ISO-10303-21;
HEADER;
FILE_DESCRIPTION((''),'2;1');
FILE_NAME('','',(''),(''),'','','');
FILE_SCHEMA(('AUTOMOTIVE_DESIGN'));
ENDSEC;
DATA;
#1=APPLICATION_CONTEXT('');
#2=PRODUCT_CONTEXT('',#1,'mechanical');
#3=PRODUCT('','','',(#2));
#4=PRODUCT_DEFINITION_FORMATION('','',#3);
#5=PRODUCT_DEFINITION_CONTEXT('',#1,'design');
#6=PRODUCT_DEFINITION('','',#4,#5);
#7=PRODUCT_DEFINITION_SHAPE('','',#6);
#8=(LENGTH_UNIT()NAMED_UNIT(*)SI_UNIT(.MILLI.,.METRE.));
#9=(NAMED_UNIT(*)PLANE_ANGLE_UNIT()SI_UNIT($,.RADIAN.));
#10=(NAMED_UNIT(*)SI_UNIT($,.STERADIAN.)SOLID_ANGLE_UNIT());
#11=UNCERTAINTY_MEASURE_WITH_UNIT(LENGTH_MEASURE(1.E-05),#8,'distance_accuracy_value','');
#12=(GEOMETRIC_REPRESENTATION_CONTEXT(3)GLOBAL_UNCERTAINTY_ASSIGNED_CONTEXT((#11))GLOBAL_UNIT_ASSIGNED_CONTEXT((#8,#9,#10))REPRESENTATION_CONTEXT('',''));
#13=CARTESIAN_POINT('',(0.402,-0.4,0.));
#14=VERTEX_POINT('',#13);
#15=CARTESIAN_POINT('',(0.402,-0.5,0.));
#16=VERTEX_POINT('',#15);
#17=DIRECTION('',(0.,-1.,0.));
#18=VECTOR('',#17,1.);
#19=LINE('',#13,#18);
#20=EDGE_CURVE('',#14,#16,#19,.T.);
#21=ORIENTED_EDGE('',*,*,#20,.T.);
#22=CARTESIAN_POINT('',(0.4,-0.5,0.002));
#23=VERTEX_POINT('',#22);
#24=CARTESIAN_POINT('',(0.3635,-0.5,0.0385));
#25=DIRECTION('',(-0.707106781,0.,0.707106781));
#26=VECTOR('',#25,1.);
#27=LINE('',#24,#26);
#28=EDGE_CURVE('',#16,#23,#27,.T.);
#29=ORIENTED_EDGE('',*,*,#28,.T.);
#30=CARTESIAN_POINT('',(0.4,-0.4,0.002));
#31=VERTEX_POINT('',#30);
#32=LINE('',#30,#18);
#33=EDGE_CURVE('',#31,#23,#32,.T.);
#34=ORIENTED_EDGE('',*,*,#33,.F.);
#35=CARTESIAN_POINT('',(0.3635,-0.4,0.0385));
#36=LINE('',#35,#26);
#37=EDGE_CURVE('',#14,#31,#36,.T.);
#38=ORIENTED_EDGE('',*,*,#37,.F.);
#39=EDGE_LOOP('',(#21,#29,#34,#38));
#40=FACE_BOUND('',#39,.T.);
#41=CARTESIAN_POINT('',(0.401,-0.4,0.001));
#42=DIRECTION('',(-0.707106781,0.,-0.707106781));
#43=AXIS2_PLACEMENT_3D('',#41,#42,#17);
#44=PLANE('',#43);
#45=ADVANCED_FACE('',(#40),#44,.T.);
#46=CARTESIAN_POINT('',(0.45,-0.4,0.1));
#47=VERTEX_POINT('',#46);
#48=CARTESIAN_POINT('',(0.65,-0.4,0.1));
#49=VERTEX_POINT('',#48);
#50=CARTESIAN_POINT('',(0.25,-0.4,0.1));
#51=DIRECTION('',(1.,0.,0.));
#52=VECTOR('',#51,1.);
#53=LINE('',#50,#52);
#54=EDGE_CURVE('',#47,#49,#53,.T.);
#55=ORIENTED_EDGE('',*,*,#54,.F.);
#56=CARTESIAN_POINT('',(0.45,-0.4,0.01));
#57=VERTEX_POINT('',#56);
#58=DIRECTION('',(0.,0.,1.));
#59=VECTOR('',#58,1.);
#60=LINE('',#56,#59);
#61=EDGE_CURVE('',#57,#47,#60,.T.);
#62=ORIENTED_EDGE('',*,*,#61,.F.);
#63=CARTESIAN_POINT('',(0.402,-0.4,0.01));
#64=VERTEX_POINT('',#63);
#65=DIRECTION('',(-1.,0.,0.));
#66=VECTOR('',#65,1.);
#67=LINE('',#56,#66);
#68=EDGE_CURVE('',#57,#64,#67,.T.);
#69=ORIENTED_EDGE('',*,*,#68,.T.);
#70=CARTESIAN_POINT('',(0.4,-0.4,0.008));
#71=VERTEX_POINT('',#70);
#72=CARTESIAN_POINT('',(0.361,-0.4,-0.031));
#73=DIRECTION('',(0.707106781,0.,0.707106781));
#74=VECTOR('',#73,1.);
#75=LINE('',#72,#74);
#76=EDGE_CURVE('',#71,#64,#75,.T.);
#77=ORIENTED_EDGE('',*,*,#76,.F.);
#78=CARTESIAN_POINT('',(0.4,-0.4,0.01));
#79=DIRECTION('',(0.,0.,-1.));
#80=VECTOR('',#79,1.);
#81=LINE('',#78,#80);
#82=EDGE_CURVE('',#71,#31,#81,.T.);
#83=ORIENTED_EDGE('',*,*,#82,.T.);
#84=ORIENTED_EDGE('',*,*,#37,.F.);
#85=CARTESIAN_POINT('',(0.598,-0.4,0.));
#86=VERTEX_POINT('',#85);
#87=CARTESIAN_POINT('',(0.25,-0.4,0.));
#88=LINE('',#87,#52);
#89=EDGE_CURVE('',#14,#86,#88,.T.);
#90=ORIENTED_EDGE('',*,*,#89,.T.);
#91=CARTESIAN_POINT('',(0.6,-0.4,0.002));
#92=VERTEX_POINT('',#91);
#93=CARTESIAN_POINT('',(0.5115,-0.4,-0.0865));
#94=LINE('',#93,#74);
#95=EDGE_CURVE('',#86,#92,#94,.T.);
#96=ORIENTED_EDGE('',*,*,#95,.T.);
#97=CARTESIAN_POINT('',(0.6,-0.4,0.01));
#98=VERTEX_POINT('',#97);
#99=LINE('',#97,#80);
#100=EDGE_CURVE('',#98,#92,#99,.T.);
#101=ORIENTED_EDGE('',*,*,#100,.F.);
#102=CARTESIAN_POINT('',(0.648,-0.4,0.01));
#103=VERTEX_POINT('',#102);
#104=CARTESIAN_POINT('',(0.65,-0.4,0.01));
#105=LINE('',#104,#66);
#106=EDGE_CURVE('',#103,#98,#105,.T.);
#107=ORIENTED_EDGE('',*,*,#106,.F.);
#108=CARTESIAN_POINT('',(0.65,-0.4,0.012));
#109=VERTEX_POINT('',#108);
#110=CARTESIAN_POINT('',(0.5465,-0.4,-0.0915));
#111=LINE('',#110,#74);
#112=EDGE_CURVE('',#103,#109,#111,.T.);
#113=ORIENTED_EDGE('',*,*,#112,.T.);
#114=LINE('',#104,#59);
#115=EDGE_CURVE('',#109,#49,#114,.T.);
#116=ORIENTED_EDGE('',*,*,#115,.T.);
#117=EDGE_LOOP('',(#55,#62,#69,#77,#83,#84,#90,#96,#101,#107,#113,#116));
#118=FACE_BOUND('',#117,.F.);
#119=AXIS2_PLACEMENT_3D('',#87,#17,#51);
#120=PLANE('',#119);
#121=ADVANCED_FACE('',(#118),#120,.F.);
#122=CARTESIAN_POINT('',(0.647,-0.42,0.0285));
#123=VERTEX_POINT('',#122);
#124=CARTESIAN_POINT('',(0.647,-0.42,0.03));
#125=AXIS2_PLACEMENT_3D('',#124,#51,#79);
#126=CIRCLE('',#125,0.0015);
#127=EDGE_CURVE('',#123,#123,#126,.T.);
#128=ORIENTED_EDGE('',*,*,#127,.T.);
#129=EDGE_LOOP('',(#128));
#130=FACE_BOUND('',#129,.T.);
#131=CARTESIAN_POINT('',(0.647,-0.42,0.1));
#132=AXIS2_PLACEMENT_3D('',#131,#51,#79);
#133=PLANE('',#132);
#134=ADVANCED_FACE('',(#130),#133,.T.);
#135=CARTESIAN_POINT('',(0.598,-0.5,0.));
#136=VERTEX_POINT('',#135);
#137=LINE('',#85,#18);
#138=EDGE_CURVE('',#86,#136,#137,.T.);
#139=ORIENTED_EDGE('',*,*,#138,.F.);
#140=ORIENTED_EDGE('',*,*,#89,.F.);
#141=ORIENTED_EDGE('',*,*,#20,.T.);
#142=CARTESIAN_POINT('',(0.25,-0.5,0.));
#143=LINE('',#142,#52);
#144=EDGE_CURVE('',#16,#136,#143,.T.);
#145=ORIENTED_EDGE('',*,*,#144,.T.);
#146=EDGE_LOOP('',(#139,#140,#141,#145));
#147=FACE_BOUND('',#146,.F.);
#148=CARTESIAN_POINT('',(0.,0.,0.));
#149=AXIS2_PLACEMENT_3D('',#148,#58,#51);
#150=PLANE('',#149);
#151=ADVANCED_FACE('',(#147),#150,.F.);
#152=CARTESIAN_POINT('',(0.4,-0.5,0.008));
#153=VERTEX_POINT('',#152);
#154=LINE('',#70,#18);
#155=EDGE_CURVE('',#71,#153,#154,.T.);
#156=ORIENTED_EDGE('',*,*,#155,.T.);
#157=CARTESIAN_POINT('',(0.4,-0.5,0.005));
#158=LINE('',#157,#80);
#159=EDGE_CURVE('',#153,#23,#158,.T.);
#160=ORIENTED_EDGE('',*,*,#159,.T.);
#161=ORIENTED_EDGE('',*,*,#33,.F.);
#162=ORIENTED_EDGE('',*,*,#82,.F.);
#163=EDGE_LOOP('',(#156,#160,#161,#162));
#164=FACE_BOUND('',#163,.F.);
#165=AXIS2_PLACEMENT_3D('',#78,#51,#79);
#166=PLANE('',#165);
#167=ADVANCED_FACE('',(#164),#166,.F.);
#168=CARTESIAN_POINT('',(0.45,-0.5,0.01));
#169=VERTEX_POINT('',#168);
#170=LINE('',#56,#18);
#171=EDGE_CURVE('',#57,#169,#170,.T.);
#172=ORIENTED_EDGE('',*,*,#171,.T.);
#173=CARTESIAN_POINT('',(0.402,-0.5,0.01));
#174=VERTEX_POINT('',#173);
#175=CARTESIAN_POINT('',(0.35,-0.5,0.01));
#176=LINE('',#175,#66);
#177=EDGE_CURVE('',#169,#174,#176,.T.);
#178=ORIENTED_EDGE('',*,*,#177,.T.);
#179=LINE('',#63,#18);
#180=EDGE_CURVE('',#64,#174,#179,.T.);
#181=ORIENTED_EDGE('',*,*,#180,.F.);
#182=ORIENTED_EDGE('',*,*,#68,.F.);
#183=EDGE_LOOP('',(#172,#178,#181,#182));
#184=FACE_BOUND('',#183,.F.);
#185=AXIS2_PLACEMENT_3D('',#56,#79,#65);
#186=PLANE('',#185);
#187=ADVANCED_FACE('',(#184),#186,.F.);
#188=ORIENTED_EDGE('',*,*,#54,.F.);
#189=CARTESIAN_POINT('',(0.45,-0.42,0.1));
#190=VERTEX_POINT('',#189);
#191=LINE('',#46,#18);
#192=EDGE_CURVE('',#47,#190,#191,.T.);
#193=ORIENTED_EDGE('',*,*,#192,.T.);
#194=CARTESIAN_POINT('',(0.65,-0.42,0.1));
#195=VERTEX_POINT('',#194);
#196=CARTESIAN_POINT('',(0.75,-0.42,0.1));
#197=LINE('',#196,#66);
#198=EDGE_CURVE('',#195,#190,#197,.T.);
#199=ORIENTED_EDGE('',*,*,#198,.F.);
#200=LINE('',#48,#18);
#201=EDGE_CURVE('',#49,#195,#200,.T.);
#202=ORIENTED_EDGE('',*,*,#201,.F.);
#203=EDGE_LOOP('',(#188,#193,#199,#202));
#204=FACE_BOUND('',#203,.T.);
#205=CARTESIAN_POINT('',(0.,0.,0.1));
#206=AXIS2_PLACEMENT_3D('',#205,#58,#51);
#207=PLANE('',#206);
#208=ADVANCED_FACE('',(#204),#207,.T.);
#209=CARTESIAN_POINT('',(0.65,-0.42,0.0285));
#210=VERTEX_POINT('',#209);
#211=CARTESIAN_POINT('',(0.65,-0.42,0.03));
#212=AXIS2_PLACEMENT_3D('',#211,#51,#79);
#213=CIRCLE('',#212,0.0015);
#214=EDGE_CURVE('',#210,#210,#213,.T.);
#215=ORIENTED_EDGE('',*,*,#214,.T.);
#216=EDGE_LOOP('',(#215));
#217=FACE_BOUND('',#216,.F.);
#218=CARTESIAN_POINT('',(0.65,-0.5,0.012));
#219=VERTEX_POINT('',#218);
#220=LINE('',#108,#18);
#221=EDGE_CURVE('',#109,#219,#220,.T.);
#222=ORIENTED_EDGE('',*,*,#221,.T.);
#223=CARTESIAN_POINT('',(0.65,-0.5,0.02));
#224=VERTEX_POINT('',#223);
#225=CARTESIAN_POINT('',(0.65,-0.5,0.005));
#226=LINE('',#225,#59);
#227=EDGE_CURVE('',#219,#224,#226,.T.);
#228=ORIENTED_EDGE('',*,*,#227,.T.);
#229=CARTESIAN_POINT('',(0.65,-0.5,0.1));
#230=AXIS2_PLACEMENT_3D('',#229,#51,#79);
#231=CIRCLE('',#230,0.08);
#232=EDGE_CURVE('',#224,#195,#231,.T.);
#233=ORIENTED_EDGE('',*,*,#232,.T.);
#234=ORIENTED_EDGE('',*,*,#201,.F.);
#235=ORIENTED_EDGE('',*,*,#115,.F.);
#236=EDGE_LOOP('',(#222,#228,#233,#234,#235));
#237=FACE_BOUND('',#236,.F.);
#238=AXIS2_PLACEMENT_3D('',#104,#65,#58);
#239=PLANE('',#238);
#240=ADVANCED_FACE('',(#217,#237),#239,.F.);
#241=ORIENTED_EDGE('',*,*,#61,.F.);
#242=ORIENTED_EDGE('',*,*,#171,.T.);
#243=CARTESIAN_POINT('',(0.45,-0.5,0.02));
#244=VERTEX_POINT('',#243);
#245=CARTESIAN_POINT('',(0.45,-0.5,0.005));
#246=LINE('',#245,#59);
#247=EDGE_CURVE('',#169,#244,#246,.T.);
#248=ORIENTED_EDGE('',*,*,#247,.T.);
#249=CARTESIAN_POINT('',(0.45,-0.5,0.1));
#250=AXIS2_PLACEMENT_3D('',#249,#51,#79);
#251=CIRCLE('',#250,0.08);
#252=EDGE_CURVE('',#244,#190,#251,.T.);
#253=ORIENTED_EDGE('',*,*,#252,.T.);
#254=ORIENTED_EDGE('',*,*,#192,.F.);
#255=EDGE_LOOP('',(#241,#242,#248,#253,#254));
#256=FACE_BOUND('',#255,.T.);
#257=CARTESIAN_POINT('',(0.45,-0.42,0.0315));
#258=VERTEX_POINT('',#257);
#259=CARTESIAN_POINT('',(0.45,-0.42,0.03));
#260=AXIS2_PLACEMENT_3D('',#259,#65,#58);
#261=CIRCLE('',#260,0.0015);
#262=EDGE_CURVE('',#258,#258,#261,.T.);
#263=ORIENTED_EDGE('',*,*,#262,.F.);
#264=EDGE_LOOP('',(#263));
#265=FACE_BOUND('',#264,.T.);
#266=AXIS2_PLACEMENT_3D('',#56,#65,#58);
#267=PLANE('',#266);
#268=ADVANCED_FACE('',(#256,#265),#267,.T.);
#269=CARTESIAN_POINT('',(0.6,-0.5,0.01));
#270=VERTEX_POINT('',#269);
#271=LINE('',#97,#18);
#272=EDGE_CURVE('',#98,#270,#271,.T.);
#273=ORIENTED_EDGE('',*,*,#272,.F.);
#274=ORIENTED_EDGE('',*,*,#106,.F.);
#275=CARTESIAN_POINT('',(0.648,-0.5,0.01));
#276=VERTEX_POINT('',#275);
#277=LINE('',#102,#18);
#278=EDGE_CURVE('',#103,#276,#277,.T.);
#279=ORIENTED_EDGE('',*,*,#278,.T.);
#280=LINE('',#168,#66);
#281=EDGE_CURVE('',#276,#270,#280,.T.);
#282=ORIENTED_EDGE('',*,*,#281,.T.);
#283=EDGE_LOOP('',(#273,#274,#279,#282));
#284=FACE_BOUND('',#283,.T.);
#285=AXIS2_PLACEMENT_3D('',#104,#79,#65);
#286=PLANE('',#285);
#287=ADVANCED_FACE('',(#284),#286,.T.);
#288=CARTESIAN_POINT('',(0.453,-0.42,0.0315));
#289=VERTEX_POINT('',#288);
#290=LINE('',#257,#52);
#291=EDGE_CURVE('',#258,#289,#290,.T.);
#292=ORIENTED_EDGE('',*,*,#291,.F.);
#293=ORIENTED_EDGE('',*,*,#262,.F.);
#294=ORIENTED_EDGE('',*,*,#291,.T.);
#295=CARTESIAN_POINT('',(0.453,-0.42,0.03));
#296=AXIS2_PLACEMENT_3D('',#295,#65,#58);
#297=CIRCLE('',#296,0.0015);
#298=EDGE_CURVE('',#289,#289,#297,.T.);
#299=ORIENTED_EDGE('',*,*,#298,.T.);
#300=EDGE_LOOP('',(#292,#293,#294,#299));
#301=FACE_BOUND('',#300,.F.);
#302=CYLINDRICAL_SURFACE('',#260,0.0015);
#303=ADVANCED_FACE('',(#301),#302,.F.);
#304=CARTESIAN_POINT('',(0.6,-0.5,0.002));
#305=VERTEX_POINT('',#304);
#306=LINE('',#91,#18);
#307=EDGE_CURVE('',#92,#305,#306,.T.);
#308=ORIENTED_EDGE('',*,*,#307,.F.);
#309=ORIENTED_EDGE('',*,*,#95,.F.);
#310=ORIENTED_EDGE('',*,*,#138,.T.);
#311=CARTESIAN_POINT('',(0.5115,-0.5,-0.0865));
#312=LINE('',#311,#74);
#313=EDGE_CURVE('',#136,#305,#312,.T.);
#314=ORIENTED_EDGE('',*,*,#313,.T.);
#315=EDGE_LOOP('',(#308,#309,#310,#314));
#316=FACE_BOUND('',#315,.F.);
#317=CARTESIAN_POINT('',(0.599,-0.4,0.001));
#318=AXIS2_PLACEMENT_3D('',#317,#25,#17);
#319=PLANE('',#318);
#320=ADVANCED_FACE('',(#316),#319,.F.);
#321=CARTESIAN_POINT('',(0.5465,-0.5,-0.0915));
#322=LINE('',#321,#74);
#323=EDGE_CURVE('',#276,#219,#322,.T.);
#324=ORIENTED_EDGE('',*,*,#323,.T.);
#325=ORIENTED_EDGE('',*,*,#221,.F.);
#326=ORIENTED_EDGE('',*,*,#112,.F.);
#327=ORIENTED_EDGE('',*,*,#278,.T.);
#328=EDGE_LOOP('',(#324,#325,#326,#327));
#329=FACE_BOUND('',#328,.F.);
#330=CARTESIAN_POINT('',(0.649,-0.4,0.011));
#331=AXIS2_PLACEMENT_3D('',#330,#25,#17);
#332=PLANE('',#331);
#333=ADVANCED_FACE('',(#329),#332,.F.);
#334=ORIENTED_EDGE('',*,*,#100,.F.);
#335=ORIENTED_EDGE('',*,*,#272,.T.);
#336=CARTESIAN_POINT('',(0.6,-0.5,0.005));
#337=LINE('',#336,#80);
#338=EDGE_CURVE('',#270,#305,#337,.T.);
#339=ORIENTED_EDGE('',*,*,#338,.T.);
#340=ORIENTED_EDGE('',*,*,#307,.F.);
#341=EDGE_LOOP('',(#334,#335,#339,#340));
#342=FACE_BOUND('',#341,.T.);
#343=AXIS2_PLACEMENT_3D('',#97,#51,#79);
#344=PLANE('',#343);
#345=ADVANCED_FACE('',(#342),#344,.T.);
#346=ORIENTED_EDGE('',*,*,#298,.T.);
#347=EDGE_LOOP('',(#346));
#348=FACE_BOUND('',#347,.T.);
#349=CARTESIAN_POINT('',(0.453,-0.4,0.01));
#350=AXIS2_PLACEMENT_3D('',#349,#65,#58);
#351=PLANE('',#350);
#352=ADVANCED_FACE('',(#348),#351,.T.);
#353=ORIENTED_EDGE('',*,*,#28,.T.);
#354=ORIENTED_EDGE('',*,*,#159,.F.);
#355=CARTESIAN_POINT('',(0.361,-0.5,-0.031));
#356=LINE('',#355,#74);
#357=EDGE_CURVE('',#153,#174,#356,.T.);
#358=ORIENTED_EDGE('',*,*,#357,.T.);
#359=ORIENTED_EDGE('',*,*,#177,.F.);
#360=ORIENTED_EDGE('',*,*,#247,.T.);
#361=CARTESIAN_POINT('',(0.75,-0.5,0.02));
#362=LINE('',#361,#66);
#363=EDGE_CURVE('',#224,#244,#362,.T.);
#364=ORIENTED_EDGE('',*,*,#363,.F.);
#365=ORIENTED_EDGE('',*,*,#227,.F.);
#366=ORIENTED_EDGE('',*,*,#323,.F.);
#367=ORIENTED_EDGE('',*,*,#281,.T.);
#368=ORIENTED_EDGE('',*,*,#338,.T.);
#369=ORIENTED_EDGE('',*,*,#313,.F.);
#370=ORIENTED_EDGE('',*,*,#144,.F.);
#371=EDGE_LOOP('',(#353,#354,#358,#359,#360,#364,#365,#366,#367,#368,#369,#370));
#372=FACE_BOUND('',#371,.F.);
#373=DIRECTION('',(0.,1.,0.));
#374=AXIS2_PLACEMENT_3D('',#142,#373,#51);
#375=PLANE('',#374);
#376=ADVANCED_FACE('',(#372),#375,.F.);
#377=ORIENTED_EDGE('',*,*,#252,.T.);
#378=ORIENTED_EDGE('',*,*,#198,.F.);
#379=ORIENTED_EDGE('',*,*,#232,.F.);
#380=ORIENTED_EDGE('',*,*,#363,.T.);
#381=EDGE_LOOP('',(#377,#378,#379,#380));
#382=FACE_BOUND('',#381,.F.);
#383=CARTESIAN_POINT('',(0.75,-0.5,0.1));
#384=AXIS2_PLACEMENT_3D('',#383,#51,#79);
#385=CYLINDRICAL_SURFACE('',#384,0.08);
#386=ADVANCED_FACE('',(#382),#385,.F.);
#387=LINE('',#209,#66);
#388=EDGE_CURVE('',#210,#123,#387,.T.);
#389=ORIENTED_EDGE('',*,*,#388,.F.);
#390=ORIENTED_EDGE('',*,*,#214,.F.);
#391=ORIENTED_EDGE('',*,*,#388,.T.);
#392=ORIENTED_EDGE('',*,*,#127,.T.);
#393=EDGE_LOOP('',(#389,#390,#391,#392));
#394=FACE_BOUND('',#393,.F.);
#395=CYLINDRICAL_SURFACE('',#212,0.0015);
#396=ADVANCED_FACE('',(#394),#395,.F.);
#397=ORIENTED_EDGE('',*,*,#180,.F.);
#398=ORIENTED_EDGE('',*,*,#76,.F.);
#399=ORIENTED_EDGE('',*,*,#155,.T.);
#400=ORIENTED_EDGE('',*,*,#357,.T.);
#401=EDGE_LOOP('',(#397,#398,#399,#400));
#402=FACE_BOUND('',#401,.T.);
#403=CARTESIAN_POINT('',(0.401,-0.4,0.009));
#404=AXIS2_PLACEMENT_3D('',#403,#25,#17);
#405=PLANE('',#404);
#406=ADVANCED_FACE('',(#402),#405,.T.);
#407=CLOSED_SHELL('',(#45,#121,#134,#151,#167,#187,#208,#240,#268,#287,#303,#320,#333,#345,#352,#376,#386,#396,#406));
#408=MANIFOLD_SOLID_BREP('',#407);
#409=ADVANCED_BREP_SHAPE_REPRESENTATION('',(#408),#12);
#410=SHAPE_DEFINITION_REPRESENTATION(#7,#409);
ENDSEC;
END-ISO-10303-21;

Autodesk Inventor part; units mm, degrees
ref_plane "YZ Plane" through (0, 0, 0) normal (1, 0, 0) x (0, 1, 0)
ref_plane "XZ Plane" through (0, 0, 0) normal (0, 1, 0) x (-1, 0, 0)
sketch "스케치1" plane through (0, 0, 0) normal (0, 0, 1) x (1, 0, 0)
  line L0 (-0.15, 0) -> (0.9, 0) construction
  line L1 (0, -0.7) -> (0, 0.7) construction
  line L2 (0.25, -0.5) -> (0.75, -0.5)
  line L3 (0.75, -0.5) -> (0.75, 0.5)
  line L4 (0.75, 0.5) -> (0.25, 0.5)
  line L5 (0.25, 0.5) -> (0.25, -0.5)
  point P0 (0, 0)
  point P1 (0.5, -0.5)
  dimension "d7" = 0.5
  dimension "d8" = 1
  dimension "d9" = 0.25
extrude "돌출1" add sketch "스케치1" along normal blind 0.1
sketch "스케치3" plane through (0.25, 0.5, 0) normal (0, 1, 0) x (1, 0, 0)
  line L0 (-0.25, 0.7571) -> (-0.25, -0.2929) construction
  line L1 (-0.4, 0) -> (0.65, 0) construction
  line L2 (0.5, 0) -> (0, 0) projected
  line L3 (0, 0) -> (0, -0.1) projected
  line L4 (0.5, -0.1) -> (0, -0.1) projected
  line L5 (0.5, 0) -> (0.5, -0.1) projected
  arc A0 (0, -0.1) -> (0.5, -0.1) centre (0.25, 0.6071) ccw
  line L6 (0.25, -0.1) -> (0.25, 0.4799) construction
  point P0 (-0.25, 0)
  dimension "d10" = 0.75
sketch "스케치5" plane through (0, 0, 0.1) normal (0, 0, 1) x (1, 0, 0)
  line L0 (0.75, -0.5) -> (0.75, 0.5) projected
  line L1 (0.75, 0.5) -> (0.25, 0.5) projected
  line L2 (0.25, 0.5) -> (0.25, -0.5) projected
  line L3 (0.25, -0.5) -> (0.75, -0.5) projected
  line L4 (-0.15, 0) -> (0.9, 0) construction
  line L5 (0, -0.7) -> (0, 0.7) construction
  line L6 (-0.15, 0) -> (0.9, 0) construction
  line L7 (0, 0.7) -> (0, -0.7) construction
  line L8 (0.75, 0.4) -> (0.25, 0.4)
  line L9 (0.75, -0.4) -> (0.25, -0.4)
  point P0 (0, 0)
  dimension "d18" = 1
  dimension "d19" = 0.4
sketch "스케치6" plane through (0.75, -0.5, 0) normal (1, 0, 0) x (0, 0, -1)
  line L0 (0, 0) -> (0, 1) projected
  line L1 (0, 1) -> (-0.1, 1) projected
  line L2 (-0.1, 0) -> (-0.1, 1) projected
  line L3 (0, 0) -> (-0.1, 0) projected
  line L4 (0, 0.5) -> (-0.1, 0.5) construction
  line L5 (0, 0.92) -> (-0.1, 0.92)
  arc A0 (-0.1, 0.92) -> (-0.02, 1) centre (-0.1, 1) ccw
  arc A1 (-0.02, 0) -> (-0.1, 0.08) centre (-0.1, 0) ccw
  point P0 (-0.05, 0.5)
  point P1 (-0.05, 0.92)
  point P2 (-0.02, 0)
  point P3 (-0.1, 0.08)
  dimension "d20" = 0.42
extrude "돌출5" cut sketch "스케치6" against normal up to surface (0.5 mm away) contours L3 L2 A1 | L2 L1 A0
sketch "스케치7" plane through (0.75, -0.5, 0) normal (1, 0, 0) x (0, 0, -1)
  arc A0 (-0.1, 0.92) -> (-0.02, 1) centre (-0.1, 1) ccw projected
  line L0 (-0.1, 0.08) -> (-0.1, 0.92) projected
  arc A1 (-0.02, 0) -> (-0.1, 0.08) centre (-0.1, 0) ccw projected
  line L1 (0, 0) -> (-0.02, 0) projected
  line L2 (0, 0) -> (0, 1) projected
  line L3 (0, 1) -> (-0.02, 1) projected
  line L4 (0, 0.5) -> (-0.2526, 0.5) construction
  line L5 (-0.2526, 0.5) -> (-0.2526, 0.9) construction
  line L6 (-0.2526, 0.9) -> (-0.1, 0.9) construction
  line L7 (-0.2526, 0.1) -> (-0.1, 0.1) construction
  dimension "d23" = 0.4
ref_plane "작업 평면1" through (0.25, -0.4, 0) normal (0, -1, 0) x (1, 0, 0)
sketch "스케치8" plane through (0.25, -0.4, 0) normal (0, -1, 0) x (1, 0, 0)
  line L0 (0, 0.02) -> (0, 0.1) projected
  line L1 (0.5, 0.02) -> (0, 0.02) projected
  line L2 (0.5, 0.1) -> (0.5, 0.02) projected
  line L3 (0, 0.1) -> (0.5, 0.1) projected
  line L4 (0.5, 0.02) -> (0, 0.02) projected
  line L5 (0, 0) -> (0, 0.02) projected
  line L6 (0, 0) -> (0.5, 0) projected
  line L7 (0.5, 0) -> (0.5, 0.02) projected
  point P0 (-0.25, 0)
  point P1 (0.5, 0.02)
  point P2 (0, 0.02)
extrude "돌출6" cut sketch "스케치8" against normal blind 10
sketch "스케치9" plane through (0.25, -0.4, 0) normal (0, 1, 0) x (1, 0, 0)
  line L0 (0.5, 0) -> (0.5, -0.1) projected
  line L1 (0, 0) -> (0.5, 0) projected
  line L2 (0, -0.1) -> (0, 0) projected
  line L3 (0.5, -0.1) -> (0, -0.1) projected
  line L4 (0, 0) -> (0.5, 0) construction
  line L5 (0.2, 0) -> (0.2, -0.1) construction
  line L6 (0.2, -0.1) -> (0.2, -0.0922)
  line L7 (0.2, -0.01) -> (0.15, -0.01)
  line L8 (0.15, -0.01) -> (0.15, 0)
  line L9 (0.4, 0) -> (0.4, -0.1) construction
  line L10 (0.5, -0.1) -> (0, -0.1) construction
  line L11 (0.4, -0.01) -> (0.35, -0.01)
  line L12 (0.35, -0.01) -> (0.35, 0)
  line L13 (0.4, -0.01) -> (0.4, -0.1)
  line L14 (0.2, -0.01) -> (0.2, -0.1)
  point P0 (-0.25, 0)
  point P1 (0, -0.05)
  point P2 (0.15, 0)
  dimension "d27" = 0.2
  dimension "d28" = 0.01
  dimension "d29" = 0.2
  dimension "d30" = 0.05
  dimension "d31" = 0.05
extrude "돌출7" cut sketch "스케치9" against normal through all contours L0 L3 L13 L11 L12 L1 | L8 L7 L14 L6 L3 L2 L1
chamfer "모따기1" distance 0.002 angle 45 2 edges at (0.4, -0.45, 0) (0.4, -0.45, 0.01)
chamfer "모따기2" distance 0.002 angle 45 2 edges at (0.65, -0.45, 0.01) (0.6, -0.45, 0)
sketch "스케치10" plane through (0.45, -0.4, 0.01) normal (-1, 0, 0) x (0, 0, 1)
  line L0 (0.01, -0.1) -> (0, -0.1) projected
  arc A0 (0.09, -0.02) -> (0.01, -0.1) centre (0.09, -0.1) ccw projected
  line L1 (0.09, 0) -> (0.09, -0.02) projected
  line L2 (0, 0) -> (0.09, 0) projected
  line L3 (0, 0) -> (0, -0.1) projected
  line L4 (0.02, 0) -> (0.02, -0.02) construction
  line L5 (0.02, -0.02) -> (0, -0.02) construction
  circle A1 centre (0.02, -0.02) radius 0.0015
  point P0 (-0.01, 0.4)
  dimension "d40" = 0.02
  dimension "d41" = 0.02
  dimension "d42" = 0.003
sketch "스케치11" plane through (0.65, -0.42, 0.1) normal (1, 0, 0) x (0, 0, -1)
  line L0 (0.09, -0.08) -> (0.09, 0.02) projected
  line L1 (0, 0.02) -> (0.088, 0.02) projected
  line L2 (0.09, 0.02) -> (0.09, -0.08) construction
  line L3 (0.09, 0) -> (0.07, 0) construction
  line L4 (0.07, 0) -> (0.07, 0.02) construction
  circle A0 centre (0.07, 0) radius 0.0015
  point P0 (0.1, 0.42)
  dimension "d43" = 0.02
  dimension "d44" = 0.02
  dimension "d45" = 0.003
extrude "돌출8" cut sketch "스케치11" against normal blind 0.003
extrude "돌출9" cut sketch "스케치10" against normal blind 0.003 contours A1
properties part number "flat_surface_1"
